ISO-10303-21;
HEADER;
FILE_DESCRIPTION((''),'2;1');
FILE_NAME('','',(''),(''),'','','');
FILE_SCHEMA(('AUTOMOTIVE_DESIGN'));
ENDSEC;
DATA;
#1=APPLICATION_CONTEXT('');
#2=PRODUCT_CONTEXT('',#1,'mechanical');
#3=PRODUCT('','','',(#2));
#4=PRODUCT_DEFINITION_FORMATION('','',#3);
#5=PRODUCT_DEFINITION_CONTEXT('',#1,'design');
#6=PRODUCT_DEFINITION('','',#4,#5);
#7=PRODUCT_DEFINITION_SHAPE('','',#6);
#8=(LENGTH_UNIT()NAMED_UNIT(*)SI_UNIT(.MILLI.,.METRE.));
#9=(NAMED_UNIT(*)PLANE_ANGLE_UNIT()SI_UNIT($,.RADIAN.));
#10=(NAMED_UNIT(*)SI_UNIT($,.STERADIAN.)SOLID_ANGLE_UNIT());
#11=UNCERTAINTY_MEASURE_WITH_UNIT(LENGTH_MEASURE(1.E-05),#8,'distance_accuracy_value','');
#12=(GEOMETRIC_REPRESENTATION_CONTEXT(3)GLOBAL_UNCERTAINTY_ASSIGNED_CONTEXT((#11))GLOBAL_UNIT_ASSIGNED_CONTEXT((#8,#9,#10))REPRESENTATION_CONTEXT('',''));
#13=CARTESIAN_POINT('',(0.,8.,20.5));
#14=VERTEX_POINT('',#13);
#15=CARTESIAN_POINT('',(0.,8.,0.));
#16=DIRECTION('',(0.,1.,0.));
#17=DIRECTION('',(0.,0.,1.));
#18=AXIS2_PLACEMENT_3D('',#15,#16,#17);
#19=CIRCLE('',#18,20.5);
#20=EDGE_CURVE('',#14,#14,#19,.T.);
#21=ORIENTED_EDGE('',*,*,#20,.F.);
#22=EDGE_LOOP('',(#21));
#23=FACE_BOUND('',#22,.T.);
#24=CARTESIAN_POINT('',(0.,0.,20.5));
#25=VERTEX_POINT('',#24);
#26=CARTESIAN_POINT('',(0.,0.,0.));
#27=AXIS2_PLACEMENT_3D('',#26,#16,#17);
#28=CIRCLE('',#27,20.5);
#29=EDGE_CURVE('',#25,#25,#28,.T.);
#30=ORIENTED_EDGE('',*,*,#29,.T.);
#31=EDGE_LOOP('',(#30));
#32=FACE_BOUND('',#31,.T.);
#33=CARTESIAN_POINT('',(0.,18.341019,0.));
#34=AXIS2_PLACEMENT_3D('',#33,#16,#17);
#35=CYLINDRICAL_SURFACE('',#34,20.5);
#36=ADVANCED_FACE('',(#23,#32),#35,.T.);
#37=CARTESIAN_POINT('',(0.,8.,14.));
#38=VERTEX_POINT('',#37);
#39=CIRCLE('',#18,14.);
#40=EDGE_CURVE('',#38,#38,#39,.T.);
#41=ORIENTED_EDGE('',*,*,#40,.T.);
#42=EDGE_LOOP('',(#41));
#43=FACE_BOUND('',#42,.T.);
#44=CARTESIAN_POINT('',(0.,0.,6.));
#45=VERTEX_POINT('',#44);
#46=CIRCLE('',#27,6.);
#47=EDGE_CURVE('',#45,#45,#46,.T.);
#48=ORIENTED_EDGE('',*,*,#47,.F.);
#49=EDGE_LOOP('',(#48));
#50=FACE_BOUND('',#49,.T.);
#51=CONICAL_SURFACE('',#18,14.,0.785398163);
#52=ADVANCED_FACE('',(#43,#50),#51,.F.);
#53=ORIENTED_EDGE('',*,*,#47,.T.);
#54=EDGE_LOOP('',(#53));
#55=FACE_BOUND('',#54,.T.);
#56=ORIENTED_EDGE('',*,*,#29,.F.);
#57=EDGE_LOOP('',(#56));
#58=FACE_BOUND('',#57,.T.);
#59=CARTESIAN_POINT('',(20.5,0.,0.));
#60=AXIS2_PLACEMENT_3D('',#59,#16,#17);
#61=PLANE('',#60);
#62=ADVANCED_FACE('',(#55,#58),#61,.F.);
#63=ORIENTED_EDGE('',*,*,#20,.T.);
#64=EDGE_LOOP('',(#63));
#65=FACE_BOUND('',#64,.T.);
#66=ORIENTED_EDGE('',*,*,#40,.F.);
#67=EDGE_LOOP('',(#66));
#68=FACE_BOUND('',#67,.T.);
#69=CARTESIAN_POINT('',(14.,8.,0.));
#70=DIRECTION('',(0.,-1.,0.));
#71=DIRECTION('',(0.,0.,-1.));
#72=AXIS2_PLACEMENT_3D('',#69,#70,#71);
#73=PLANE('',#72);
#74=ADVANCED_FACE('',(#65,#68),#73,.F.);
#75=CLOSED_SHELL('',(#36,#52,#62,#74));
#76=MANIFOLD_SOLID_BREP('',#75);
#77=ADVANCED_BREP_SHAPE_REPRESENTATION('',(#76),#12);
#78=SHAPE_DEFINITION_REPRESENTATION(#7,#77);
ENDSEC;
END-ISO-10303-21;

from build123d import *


with BuildPart() as part:
    # Sketch1 → Revolve1 (revolve)
    with BuildSketch(Plane.XY, mode=Mode.PRIVATE) as revolve1_sk:
        Polygon((14, 8), (20.5, 8), (20.5, 0), (6, 0), align=None)
    revolve(revolve1_sk.sketch.rotate(Axis((0, 18.341019417, 0), (0, -1, 0)), 90), axis=Axis((0, 18.341019417, 0), (0, -1, 0)))


solid = part.part
